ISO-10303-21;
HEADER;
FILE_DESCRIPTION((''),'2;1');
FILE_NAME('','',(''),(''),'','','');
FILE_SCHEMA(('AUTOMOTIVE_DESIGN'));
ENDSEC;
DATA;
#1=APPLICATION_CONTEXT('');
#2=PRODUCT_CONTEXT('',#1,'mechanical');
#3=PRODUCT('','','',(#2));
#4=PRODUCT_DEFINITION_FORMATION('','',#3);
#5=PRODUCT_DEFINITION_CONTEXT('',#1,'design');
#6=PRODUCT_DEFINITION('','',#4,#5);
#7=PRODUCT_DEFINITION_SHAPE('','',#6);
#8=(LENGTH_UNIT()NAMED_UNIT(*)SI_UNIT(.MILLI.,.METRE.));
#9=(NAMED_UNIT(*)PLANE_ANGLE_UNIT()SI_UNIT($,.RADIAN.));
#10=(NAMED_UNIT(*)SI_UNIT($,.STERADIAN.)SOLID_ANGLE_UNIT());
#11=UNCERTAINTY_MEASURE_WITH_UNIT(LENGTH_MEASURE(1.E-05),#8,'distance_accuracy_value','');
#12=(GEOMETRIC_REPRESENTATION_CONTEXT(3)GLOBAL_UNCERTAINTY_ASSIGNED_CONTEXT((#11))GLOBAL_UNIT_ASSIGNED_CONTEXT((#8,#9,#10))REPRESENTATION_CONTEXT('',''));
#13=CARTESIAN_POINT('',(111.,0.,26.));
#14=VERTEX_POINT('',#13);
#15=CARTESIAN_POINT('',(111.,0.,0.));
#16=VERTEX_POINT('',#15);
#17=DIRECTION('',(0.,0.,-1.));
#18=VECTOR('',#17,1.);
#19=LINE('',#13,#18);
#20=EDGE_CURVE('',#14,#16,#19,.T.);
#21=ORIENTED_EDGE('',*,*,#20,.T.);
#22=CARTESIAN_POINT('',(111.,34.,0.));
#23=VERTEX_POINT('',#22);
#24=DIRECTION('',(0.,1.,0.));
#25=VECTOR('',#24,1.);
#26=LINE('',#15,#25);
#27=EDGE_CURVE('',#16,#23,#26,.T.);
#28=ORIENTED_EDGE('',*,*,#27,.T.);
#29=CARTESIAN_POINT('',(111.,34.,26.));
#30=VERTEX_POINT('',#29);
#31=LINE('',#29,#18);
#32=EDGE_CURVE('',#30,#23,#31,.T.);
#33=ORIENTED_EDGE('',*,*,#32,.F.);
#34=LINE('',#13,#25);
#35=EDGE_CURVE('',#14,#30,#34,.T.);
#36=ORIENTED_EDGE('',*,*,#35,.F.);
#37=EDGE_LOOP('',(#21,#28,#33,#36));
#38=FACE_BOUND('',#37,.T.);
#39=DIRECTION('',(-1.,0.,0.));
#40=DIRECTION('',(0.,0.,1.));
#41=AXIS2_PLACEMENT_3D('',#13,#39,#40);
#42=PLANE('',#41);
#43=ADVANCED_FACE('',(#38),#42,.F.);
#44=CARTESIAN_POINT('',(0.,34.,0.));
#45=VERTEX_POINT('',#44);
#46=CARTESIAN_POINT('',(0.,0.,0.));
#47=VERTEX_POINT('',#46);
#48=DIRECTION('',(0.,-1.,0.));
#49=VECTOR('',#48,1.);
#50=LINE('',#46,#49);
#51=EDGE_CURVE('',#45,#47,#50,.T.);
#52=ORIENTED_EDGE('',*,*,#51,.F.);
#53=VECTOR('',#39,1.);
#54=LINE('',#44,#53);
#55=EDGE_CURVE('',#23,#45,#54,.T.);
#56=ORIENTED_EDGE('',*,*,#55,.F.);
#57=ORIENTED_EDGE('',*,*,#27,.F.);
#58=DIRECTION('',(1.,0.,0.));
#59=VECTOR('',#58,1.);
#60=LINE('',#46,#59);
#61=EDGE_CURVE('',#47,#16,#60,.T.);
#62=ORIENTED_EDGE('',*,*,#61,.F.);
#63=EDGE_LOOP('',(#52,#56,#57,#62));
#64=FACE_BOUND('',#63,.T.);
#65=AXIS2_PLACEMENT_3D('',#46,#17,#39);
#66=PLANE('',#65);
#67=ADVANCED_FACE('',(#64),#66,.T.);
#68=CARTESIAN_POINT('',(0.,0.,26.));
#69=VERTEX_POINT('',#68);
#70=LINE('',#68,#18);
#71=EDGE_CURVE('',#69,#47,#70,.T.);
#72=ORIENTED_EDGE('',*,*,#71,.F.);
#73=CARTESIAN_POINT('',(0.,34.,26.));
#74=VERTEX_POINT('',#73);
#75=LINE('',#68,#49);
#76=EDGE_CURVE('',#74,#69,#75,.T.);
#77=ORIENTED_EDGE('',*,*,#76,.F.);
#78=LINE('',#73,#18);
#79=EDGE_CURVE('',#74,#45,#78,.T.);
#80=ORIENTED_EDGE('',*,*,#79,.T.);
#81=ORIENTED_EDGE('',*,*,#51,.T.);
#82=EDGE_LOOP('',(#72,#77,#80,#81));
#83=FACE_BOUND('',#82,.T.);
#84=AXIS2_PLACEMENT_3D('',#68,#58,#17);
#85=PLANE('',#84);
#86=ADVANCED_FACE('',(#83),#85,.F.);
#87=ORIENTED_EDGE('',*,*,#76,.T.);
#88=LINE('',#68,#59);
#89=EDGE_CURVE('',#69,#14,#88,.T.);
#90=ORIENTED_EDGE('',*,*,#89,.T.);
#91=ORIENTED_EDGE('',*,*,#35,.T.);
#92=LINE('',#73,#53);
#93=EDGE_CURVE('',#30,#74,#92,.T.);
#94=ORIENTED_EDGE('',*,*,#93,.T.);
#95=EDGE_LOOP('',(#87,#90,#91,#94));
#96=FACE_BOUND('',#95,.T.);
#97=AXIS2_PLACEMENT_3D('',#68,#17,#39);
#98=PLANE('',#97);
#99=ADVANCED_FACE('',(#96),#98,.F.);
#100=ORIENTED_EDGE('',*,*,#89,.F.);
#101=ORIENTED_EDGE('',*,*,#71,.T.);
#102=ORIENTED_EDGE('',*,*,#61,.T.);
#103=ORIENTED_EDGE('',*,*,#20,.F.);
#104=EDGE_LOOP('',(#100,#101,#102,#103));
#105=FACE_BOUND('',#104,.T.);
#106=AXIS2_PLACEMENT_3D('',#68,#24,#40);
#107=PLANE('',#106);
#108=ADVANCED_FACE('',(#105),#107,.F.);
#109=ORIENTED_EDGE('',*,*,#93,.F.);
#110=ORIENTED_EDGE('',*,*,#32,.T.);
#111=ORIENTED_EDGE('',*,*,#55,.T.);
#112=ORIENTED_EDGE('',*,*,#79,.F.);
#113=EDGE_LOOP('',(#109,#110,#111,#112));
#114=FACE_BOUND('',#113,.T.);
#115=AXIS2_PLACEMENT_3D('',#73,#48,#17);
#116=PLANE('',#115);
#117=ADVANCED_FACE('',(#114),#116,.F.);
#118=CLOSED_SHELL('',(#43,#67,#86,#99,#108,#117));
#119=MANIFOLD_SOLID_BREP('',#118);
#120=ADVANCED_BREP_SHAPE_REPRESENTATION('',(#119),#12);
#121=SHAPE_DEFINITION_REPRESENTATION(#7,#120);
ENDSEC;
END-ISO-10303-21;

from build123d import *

# Parameters (mm, degrees)
CROQUIS1_W              = 111
CROQUIS1_H              = 34
SALIENTE_EXTRUIR1_DEPTH = 26


with BuildPart() as part:
    # Croquis1 → Saliente-Extruir1 (new body)
    with BuildSketch(Plane.XY):
        with Locations((55.5, 17)):
            Rectangle(CROQUIS1_W, CROQUIS1_H)
    extrude(amount=SALIENTE_EXTRUIR1_DEPTH)


solid = part.part
